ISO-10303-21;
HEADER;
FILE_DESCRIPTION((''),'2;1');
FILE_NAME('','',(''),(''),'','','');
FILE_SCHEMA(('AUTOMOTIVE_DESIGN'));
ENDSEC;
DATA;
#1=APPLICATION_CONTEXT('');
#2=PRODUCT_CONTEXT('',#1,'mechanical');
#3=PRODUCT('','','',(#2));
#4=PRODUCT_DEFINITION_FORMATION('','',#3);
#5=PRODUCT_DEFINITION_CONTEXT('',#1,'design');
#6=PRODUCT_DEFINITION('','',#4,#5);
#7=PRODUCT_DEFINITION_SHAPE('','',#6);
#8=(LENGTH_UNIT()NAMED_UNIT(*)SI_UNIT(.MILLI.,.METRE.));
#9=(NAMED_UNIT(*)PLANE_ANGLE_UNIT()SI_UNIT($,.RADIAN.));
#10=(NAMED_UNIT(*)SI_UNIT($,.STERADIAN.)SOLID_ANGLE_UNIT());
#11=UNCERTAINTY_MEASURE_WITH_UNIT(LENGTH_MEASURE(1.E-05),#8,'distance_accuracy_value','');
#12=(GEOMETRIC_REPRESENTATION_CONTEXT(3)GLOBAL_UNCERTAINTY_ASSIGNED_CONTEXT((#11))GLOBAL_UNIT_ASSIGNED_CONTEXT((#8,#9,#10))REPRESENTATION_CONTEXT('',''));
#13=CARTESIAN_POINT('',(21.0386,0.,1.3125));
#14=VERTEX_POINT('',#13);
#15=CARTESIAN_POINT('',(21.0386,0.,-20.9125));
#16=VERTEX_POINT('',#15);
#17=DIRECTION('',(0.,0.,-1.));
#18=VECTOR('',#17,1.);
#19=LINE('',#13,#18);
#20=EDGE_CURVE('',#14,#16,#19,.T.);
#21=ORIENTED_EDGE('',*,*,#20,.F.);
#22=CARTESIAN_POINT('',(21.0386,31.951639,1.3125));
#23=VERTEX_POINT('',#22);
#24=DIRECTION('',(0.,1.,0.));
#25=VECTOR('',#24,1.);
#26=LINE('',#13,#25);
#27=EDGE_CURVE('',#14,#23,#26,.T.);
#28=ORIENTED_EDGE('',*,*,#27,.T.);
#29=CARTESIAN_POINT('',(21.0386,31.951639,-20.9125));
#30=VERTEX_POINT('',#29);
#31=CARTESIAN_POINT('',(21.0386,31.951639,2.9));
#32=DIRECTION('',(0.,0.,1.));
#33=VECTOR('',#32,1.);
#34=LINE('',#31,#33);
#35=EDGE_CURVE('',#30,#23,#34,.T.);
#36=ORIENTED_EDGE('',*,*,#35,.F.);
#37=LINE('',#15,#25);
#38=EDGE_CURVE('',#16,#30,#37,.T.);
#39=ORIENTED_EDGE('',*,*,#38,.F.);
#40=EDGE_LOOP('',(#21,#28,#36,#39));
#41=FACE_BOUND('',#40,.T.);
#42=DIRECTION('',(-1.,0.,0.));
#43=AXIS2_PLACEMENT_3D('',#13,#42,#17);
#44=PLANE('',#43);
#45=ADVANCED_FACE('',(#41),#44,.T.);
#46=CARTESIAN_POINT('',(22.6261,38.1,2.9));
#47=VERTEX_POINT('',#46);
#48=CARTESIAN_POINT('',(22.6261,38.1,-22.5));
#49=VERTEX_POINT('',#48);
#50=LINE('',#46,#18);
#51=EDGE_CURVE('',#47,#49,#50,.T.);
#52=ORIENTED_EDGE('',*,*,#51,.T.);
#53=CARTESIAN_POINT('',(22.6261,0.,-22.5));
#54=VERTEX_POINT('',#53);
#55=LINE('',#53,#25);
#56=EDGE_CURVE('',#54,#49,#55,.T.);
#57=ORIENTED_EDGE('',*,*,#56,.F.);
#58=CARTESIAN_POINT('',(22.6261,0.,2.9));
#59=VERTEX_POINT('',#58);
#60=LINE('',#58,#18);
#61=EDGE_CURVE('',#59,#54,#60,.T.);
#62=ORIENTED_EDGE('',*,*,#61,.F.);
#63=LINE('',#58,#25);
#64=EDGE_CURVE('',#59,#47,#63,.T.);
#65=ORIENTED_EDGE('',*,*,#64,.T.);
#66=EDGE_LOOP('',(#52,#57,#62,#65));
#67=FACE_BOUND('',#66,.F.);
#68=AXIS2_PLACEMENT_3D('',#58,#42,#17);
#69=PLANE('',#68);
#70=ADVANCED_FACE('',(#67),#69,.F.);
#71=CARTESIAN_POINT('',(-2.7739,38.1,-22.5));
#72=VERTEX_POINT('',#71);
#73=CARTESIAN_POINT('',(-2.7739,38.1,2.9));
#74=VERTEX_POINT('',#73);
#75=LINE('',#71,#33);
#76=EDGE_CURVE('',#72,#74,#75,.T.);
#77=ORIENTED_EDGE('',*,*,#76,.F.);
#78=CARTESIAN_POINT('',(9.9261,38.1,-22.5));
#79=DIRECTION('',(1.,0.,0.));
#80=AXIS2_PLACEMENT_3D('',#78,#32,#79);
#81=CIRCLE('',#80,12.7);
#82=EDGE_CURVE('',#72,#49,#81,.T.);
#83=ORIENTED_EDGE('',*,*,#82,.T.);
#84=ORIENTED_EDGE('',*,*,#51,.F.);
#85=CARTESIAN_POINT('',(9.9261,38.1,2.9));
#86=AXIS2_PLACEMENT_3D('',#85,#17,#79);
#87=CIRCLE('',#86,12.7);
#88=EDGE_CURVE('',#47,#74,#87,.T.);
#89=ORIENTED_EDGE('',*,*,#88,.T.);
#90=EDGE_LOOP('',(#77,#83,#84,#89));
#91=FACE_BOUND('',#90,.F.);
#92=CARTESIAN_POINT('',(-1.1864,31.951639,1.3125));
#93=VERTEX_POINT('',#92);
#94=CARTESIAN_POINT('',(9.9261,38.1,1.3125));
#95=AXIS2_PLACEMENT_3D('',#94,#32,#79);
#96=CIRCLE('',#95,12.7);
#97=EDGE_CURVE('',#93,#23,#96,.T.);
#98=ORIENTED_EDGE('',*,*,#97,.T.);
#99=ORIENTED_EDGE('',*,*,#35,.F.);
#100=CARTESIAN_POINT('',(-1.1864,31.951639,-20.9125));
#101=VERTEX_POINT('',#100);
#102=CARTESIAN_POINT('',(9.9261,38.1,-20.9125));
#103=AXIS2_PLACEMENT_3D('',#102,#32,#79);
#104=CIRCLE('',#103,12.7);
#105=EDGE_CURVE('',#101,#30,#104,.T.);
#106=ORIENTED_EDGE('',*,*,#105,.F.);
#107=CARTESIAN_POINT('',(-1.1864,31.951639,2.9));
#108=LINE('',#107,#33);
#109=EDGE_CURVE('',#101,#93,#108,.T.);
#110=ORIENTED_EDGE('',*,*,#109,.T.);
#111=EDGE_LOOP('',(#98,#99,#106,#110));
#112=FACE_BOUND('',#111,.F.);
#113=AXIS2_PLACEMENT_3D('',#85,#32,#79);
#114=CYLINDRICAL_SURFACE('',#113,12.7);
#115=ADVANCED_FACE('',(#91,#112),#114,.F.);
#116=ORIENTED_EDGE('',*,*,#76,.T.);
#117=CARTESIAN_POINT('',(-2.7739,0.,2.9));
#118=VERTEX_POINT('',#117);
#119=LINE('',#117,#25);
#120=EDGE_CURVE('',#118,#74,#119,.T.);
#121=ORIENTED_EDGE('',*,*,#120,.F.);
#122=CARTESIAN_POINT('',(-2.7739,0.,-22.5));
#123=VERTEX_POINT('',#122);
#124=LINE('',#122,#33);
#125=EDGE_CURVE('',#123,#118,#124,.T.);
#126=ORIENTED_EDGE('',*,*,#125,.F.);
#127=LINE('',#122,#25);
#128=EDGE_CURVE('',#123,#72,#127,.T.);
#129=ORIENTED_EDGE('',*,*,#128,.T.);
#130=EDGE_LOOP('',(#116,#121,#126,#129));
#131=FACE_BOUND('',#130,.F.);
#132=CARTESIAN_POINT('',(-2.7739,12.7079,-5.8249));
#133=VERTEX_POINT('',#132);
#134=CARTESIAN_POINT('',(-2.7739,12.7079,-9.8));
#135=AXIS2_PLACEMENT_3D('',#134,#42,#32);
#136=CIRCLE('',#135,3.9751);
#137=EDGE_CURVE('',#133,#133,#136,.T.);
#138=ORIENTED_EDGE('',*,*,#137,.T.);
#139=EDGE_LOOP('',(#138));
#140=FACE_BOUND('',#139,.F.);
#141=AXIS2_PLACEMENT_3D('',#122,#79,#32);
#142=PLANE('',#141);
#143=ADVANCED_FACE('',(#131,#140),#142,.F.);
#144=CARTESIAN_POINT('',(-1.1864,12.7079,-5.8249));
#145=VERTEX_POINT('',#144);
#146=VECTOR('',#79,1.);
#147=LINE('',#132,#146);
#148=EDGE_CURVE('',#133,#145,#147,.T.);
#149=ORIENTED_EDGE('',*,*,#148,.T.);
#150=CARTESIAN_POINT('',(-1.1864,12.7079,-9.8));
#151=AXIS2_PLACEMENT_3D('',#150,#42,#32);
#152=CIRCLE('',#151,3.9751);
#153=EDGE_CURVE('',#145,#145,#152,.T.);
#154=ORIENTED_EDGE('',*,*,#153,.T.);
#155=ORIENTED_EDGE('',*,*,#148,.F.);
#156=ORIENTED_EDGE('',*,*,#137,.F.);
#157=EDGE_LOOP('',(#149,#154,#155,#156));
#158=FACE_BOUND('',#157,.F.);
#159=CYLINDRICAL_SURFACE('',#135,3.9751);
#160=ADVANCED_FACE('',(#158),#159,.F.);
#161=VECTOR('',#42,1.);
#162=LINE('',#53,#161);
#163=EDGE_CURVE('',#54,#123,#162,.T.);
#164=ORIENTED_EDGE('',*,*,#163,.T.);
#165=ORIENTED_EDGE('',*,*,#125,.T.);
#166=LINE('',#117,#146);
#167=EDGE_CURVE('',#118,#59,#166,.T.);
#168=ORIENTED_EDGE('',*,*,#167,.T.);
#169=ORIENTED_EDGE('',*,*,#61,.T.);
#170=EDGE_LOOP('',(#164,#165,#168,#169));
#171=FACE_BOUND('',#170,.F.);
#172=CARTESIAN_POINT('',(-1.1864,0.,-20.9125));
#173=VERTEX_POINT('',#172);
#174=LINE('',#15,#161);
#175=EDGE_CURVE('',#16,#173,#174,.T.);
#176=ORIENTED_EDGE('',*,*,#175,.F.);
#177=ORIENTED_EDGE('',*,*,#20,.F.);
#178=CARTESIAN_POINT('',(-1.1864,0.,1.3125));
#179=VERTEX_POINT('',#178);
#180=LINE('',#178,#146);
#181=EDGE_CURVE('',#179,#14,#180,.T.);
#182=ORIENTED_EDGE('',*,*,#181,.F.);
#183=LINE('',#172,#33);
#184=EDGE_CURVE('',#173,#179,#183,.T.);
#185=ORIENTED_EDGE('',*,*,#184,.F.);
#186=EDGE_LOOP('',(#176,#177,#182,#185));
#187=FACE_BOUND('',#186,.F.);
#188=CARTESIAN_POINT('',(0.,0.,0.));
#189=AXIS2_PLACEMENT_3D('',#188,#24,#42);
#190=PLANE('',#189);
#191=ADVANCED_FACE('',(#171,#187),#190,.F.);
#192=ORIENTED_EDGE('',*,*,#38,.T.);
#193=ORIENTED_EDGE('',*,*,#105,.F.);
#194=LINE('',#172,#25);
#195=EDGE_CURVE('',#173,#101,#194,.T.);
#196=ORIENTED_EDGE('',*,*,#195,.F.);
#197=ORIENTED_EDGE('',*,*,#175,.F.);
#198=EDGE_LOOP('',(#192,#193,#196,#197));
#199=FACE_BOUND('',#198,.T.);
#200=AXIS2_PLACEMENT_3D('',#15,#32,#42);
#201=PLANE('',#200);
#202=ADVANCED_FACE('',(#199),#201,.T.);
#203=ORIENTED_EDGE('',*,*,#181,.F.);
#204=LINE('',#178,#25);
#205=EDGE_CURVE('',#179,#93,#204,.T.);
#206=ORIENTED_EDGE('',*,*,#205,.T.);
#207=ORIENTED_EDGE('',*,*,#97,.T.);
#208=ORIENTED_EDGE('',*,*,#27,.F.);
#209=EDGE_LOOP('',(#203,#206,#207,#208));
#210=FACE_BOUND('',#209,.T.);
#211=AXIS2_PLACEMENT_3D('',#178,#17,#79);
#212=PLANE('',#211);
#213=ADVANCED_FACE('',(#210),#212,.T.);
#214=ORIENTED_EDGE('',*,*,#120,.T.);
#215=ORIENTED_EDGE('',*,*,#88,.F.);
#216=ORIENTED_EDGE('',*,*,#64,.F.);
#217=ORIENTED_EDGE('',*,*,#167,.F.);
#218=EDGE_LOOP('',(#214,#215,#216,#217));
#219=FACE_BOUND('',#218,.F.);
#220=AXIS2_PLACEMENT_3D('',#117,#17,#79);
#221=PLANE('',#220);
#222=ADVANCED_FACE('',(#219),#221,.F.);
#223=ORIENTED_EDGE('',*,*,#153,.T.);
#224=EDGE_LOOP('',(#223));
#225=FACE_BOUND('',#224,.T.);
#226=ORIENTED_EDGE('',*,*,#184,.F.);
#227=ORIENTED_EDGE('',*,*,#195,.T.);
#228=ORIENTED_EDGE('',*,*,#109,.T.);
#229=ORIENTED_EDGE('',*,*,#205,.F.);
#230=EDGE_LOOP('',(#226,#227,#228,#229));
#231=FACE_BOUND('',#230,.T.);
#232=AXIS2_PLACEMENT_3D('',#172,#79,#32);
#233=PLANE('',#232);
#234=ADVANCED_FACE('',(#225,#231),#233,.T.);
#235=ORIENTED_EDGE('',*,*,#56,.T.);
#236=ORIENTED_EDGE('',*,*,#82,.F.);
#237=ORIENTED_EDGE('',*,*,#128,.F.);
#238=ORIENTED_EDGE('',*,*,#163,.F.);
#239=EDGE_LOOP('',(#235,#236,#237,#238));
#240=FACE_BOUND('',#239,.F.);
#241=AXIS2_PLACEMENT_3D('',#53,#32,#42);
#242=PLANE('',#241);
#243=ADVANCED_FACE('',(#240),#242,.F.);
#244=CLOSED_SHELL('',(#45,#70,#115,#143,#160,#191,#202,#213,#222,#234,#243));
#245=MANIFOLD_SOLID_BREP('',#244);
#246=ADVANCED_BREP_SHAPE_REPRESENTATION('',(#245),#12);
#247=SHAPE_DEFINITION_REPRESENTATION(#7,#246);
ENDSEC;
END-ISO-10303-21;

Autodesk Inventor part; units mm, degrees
ref_plane "YZ Plane" through (0, 0, 0) normal (1, 0, 0) x (0, 1, 0)
ref_plane "XZ Plane" through (0, 0, 0) normal (0, 1, 0) x (-1, 0, 0)
ref_plane "XY Plane" through (0, 0, 0) normal (0, 0, 1) x (1, 0, 0)
sketch "Sketch3" plane through (0, 0, 0) normal (0, 1, 0) x (-1, 0, 0)
  line L0 (2.7739, 2.9) -> (-22.6261, 2.9)
  line L1 (-22.6261, 2.9) -> (-22.6261, -22.5)
  line L2 (-22.6261, -22.5) -> (2.7739, -22.5)
  line L3 (2.7739, -22.5) -> (2.7739, 2.9)
  line L4 (-22.6261, 2.9) -> (-21.0386, 2.9)
  line L5 (-21.0386, -20.9125) -> (1.1864, -20.9125)
  line L6 (1.1864, -20.9125) -> (1.1864, 1.3125)
  line L7 (1.1864, 1.3125) -> (-21.0386, 1.3125)
  line L8 (-21.0386, 1.3125) -> (-21.0386, -20.9125)
  point P0 (0, 0)
  dimension "d4" = 25.4
  dimension "d5" = 25.4
  dimension "d6" = 1.5875
  dimension "d7" = 23.8125
  dimension "d8" = 22.225
  dimension "d9" = 22.225
extrude "Extrusion2" add sketch "Sketch3" along normal blind 38.1
sketch "Sketch5" plane through (-2.7739, 0, 2.9) normal (0, 0, 1) x (1, 0, 0)
  line L0 (0, 38.1) -> (25.4, 38.1) projected
  circle A0 centre (12.7, 38.1) radius 12.7
  point P0 (2.7739, 0)
extrude "Extrusion4" cut sketch "Sketch5" against normal blind 25.4
sketch "Sketch8" plane through (-2.7739, 0, -22.5) normal (-1, 0, 0) x (0, 0, 1)
  circle A0 centre (12.7, 12.7079) radius 3.9751
  point P0 (22.5, 0)
  dimension "d22" = 7.9502
extrude "Extrusion6" cut sketch "Sketch8" against normal blind 12.7
properties part number "Seat tab to frame mount"
